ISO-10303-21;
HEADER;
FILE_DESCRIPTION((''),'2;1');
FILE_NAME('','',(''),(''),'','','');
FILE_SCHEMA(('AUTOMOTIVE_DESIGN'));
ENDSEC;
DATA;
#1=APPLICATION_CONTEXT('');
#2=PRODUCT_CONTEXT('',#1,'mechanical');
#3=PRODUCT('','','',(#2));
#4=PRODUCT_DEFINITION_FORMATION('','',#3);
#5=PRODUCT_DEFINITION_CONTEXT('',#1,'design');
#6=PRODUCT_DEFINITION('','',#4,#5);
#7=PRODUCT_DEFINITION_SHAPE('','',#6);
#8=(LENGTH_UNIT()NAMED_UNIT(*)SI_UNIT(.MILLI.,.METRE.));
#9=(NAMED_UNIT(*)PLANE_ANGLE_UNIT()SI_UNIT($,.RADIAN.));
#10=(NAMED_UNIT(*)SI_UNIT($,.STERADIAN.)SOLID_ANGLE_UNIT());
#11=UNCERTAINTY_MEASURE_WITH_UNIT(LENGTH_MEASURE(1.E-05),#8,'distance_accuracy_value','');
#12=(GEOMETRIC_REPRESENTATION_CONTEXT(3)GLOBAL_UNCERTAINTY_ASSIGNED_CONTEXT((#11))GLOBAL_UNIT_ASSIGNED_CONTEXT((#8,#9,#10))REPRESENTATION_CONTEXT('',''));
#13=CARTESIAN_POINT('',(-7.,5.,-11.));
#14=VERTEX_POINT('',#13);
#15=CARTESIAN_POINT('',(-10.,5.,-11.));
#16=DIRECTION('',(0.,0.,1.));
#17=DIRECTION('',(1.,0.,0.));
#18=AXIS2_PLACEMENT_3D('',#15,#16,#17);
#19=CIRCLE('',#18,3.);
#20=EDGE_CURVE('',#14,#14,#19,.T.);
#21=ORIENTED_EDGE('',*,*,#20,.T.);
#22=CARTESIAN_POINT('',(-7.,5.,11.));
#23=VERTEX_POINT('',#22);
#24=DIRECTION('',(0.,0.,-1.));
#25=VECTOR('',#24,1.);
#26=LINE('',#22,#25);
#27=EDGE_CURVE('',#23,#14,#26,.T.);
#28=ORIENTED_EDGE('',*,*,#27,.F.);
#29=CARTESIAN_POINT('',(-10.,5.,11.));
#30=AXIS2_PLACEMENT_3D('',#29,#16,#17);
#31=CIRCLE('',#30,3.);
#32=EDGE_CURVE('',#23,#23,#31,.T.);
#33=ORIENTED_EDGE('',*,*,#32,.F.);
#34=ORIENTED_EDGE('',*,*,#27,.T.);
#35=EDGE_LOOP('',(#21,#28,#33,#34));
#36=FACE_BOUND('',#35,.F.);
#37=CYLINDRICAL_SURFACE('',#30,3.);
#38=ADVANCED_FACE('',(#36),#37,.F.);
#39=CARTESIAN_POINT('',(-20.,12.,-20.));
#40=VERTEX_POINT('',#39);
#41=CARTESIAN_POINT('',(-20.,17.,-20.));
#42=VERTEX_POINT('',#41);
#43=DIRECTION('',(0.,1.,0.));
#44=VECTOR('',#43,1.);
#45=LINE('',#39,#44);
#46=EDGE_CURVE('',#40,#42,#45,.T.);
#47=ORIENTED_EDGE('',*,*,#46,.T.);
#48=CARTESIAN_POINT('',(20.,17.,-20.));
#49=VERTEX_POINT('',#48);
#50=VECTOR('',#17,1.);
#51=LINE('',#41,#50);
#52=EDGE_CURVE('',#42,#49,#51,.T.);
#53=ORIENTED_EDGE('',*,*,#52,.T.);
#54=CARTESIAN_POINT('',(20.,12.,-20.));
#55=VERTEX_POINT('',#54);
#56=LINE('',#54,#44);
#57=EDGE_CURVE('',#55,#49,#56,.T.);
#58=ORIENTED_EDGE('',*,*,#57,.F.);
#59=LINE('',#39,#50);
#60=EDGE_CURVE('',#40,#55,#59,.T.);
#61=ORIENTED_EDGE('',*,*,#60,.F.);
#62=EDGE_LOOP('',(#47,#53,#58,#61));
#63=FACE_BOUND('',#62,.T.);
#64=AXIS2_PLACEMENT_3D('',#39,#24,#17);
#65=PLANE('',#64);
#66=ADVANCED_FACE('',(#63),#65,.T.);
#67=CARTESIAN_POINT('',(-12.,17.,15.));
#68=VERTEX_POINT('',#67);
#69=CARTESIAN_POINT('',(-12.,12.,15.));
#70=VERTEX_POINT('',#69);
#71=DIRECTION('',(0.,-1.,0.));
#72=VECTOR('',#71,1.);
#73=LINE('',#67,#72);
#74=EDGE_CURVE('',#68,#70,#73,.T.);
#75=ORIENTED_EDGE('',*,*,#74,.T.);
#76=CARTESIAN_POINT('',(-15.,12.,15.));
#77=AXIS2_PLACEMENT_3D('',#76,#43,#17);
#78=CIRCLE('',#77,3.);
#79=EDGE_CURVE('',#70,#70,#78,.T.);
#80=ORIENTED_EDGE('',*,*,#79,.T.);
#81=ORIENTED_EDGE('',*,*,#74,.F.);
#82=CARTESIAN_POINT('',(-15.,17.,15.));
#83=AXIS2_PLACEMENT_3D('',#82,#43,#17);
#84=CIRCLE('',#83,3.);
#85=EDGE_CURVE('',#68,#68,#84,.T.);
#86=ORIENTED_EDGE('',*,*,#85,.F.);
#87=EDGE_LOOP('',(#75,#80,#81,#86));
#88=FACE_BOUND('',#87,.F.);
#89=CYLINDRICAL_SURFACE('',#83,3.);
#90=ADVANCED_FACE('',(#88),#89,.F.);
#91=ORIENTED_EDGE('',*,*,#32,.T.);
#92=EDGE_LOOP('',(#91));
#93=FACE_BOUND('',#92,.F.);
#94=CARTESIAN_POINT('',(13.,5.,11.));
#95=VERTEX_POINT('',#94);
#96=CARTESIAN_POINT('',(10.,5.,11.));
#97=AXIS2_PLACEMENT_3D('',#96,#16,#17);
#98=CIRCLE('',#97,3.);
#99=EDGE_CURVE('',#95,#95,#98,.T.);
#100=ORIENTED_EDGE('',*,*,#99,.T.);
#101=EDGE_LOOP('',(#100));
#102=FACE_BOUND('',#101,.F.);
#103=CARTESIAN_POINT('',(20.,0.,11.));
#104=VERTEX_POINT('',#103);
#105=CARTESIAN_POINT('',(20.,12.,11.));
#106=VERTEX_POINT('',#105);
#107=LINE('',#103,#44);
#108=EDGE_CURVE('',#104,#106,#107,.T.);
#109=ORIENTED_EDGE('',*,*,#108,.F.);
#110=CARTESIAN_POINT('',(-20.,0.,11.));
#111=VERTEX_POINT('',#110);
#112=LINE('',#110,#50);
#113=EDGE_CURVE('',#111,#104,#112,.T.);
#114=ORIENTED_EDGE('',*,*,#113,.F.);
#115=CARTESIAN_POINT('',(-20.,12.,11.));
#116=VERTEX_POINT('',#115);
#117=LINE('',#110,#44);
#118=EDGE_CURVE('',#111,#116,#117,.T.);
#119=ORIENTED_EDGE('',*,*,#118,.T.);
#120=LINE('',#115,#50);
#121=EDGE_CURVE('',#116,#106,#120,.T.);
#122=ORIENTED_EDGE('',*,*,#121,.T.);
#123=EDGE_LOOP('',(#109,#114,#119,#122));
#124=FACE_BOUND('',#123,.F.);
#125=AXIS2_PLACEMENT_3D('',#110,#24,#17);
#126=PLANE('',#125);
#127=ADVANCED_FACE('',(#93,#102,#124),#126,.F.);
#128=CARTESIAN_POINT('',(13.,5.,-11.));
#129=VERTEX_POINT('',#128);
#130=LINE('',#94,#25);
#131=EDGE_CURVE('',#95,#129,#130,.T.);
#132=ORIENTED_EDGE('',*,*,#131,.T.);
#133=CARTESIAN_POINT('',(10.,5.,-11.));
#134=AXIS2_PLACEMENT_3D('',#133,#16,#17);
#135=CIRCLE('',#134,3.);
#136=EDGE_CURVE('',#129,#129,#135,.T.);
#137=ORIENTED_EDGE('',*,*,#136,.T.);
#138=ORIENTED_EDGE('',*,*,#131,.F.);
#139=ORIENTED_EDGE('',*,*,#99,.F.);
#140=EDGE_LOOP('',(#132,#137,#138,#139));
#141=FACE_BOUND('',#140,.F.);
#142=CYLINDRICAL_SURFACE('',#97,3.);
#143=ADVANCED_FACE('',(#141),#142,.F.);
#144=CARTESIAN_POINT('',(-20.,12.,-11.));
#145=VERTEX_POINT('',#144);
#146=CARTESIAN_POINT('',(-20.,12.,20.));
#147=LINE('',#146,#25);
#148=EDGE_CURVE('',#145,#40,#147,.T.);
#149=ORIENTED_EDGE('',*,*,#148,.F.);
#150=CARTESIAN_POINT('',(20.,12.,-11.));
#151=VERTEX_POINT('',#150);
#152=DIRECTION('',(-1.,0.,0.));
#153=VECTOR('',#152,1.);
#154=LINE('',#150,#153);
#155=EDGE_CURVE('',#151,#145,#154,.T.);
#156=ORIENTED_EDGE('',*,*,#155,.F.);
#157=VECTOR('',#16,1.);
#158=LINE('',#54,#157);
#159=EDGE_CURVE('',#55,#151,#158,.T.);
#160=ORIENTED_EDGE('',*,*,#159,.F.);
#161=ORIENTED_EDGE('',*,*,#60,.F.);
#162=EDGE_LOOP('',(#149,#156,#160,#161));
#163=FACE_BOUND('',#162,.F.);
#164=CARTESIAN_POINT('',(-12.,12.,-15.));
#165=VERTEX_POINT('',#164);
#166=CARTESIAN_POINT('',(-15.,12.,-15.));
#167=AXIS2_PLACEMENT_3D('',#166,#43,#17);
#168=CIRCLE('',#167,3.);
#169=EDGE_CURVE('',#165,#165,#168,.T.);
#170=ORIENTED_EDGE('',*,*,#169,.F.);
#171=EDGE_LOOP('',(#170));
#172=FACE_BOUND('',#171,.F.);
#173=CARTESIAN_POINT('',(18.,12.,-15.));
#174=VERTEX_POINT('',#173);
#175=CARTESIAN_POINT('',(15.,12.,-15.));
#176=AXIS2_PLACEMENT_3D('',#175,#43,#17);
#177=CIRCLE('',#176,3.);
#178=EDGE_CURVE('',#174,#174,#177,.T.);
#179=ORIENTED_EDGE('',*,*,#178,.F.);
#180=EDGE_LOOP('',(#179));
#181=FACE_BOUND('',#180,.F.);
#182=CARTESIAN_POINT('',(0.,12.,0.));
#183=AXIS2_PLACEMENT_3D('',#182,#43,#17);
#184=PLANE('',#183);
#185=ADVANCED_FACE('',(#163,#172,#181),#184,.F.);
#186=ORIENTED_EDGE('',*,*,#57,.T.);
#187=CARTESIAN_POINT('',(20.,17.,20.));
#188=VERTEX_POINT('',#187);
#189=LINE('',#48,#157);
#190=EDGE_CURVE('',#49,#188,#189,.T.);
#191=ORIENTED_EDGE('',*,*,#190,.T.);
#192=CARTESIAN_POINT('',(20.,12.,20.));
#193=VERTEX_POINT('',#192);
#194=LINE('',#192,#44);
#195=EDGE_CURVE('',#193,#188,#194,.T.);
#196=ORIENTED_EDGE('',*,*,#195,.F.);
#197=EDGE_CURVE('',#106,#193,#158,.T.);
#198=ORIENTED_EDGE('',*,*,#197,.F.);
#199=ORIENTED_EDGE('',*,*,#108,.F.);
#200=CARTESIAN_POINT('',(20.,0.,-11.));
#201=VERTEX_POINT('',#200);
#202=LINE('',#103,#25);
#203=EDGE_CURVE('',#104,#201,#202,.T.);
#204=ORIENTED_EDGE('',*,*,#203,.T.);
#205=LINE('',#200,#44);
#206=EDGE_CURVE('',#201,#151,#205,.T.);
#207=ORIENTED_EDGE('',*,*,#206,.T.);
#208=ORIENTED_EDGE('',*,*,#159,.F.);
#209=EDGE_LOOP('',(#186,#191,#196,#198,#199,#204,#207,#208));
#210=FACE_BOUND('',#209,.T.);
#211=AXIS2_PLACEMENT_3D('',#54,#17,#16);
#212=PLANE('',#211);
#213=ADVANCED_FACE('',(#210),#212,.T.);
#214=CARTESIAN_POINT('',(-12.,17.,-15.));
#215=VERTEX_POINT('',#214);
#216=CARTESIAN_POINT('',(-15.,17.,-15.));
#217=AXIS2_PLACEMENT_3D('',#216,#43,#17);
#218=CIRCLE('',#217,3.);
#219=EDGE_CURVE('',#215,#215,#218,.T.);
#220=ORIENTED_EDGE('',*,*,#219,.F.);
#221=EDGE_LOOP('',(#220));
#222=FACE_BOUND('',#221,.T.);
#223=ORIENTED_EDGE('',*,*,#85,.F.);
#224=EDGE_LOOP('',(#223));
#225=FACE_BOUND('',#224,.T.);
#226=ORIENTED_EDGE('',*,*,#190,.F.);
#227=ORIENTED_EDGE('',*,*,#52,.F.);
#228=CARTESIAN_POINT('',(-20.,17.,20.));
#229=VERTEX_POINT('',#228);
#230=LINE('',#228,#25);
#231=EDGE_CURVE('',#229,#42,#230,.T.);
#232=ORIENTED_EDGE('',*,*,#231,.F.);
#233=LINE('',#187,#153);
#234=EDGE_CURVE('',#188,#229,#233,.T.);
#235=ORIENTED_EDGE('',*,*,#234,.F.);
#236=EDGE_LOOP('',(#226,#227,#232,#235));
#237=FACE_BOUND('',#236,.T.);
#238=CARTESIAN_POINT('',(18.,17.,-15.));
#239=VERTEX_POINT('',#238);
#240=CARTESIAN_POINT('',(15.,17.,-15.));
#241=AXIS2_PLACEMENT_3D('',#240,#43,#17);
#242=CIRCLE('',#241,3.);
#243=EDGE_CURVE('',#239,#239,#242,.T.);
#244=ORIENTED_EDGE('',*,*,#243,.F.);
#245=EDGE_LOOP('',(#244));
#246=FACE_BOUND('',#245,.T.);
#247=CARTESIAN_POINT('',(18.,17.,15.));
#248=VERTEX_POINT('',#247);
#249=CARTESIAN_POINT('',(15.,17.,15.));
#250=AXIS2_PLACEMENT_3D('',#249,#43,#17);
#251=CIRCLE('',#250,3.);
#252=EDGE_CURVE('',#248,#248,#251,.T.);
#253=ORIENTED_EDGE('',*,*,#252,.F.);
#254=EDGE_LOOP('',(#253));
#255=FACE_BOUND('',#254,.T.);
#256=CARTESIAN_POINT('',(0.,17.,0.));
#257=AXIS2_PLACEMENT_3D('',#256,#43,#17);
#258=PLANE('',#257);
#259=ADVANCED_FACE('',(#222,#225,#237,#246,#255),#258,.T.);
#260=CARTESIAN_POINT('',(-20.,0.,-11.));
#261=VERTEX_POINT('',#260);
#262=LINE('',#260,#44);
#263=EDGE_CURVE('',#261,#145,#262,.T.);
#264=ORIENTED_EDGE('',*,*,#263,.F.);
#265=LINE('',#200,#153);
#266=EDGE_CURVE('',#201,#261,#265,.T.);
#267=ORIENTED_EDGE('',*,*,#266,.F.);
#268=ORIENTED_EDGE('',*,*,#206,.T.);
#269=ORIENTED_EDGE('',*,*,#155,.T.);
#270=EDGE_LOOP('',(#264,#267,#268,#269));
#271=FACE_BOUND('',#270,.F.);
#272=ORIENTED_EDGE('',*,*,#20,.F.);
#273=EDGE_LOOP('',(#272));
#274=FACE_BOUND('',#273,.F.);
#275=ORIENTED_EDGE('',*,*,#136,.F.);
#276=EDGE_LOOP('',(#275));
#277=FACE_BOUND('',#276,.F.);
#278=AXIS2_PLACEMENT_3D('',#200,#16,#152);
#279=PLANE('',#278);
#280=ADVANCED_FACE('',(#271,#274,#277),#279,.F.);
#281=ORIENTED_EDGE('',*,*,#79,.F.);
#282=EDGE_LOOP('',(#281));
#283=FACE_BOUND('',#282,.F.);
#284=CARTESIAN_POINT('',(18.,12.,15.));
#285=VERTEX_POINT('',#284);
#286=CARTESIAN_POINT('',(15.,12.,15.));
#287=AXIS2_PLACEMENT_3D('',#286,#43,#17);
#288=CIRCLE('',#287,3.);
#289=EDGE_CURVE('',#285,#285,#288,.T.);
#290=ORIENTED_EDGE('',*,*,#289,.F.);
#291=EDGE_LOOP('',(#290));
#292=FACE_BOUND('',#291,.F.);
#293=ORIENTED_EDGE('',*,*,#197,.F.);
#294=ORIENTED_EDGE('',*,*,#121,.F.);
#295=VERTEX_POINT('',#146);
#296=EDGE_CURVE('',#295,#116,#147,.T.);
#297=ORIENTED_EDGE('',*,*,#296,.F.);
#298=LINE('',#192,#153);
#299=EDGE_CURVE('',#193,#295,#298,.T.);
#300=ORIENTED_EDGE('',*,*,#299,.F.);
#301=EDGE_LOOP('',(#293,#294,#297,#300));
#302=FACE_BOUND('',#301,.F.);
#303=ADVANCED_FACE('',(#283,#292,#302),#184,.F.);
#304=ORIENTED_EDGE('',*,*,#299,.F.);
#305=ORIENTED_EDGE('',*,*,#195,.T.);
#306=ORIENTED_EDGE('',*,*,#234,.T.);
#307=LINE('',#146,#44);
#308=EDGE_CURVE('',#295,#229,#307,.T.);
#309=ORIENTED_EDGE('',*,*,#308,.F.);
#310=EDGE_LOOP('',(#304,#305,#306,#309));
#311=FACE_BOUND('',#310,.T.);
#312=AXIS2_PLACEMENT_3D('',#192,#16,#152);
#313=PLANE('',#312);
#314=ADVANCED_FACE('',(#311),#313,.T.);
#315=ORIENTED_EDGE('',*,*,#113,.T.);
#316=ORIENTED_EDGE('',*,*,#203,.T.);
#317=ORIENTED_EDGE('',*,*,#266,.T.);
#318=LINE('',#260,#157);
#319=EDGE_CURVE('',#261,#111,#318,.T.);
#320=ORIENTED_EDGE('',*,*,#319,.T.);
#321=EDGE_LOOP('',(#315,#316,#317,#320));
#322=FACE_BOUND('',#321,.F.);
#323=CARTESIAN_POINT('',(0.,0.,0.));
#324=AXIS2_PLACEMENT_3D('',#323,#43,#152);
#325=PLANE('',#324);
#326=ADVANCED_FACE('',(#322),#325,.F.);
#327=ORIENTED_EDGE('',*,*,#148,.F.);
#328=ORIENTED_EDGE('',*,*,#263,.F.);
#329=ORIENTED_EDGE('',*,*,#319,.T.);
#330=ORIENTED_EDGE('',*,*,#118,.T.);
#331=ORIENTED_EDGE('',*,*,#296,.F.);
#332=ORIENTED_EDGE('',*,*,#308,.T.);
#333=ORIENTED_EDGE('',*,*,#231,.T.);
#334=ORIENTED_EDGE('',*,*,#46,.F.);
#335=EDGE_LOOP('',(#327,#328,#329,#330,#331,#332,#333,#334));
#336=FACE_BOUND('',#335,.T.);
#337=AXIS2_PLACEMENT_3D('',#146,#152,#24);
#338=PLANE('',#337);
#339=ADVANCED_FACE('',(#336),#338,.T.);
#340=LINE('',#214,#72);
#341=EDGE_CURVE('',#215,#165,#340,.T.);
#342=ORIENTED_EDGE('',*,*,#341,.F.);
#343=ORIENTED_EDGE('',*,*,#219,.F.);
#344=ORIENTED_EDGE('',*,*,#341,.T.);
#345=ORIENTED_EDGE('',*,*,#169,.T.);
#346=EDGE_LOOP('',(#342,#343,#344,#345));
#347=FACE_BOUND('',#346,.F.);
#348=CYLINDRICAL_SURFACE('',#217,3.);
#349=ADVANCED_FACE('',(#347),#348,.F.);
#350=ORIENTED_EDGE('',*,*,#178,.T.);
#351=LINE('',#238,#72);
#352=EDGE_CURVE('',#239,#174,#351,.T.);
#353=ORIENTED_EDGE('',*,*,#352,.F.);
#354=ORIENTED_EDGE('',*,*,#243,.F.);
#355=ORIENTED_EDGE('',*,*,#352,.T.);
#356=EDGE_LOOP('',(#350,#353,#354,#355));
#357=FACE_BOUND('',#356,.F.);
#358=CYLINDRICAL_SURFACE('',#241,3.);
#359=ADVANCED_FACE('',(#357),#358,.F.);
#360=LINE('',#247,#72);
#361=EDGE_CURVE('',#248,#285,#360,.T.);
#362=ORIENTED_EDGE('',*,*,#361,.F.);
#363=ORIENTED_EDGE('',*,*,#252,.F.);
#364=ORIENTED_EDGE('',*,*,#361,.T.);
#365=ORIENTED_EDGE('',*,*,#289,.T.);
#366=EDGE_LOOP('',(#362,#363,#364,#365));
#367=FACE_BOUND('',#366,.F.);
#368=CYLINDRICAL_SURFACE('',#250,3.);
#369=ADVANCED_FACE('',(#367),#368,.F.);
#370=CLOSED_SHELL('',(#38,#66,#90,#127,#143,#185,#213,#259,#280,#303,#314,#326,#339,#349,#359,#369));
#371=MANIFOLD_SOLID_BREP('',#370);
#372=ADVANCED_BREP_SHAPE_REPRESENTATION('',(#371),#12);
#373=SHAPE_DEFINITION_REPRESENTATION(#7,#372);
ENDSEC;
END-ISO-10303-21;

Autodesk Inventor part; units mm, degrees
ref_plane "YZ Plane" through (0, 0, 0) normal (1, 0, 0) x (0, 1, 0)
ref_plane "XZ Plane" through (0, 0, 0) normal (0, 1, 0) x (-1, 0, 0)
ref_plane "XY Plane" through (0, 0, 0) normal (0, 0, 1) x (1, 0, 0)
sketch "Sketch1" plane through (0, 0, 0) normal (0, 1, 0) x (-1, 0, 0)
  line L0 (-20, -11) -> (20, -11)
  line L1 (20, -11) -> (20, 11)
  line L2 (20, 11) -> (-20, 11)
  line L3 (-20, 11) -> (-20, -11)
  line L4 (-20, -11) -> (20, 11) construction
  line L5 (20, -11) -> (-20, 11) construction
  point P0 (0, 0)
  dimension "d0" = 22
  dimension "d1" = 40
extrude "Extrusion1" add sketch "Sketch1" along normal blind 12
sketch "Sketch2" plane through (0, 12, 0) normal (0, 1, 0) x (1, 0, 0)
  line L0 (20, -20) -> (-20, -20)
  line L1 (-20, -20) -> (-20, 20)
  line L2 (-20, 20) -> (20, 20)
  line L3 (20, 20) -> (20, -20)
  line L4 (20, -20) -> (-20, 20) construction
  line L5 (-20, -20) -> (20, 20) construction
  point P0 (0, 0)
  dimension "d4" = 40
  dimension "d5" = 40
extrude "Extrusion2" add sketch "Sketch2" along normal blind 5
sketch "Sketch3" plane through (0, 17, 0) normal (0, 1, 0) x (1, 0, 0)
  circle A0 centre (-15, -15) radius 3
  line L0 (-20, -20) -> (20, -20) projected
  line L1 (-20, 20) -> (-20, -20) projected
  circle A1 centre (15, -15) radius 3
  circle A2 centre (15, 15) radius 3
  circle A3 centre (-15, 15) radius 3
  line L2 (-20, 20) -> (20, 20) projected
  line L3 (20, -20) -> (20, 20) projected
  point P0 (0, 0)
  dimension "d8" = 6
  dimension "d9" = 5
  dimension "d10" = 5
  dimension "d11" = 6
  dimension "d12" = 6
  dimension "d13" = 6
  dimension "d14" = 5
  dimension "d15" = 5
  dimension "d16" = 5
  dimension "d17" = 5
  dimension "d18" = 5
  dimension "d19" = 5
extrude "Extrusion3" cut sketch "Sketch3" against normal blind 100 keep common part
sketch "Sketch4" plane through (-20, 0, 11) normal (0, 0, 1) x (1, 0, 0)
  circle A0 centre (10, 5) radius 3
  circle A1 centre (30, 5) radius 3
  line L0 (0, 0) -> (0, 12) projected
  line L1 (40, 0) -> (40, 12) projected
  line L2 (40, 0) -> (0, 0) projected
  point P0 (20, 0)
  dimension "d22" = 6
  dimension "d23" = 6
  dimension "d24" = 10
  dimension "d25" = 10
  dimension "d26" = 5
  dimension "d27" = 5
extrude "Extrusion4" cut sketch "Sketch4" against normal blind 100
properties part number "Conector"
